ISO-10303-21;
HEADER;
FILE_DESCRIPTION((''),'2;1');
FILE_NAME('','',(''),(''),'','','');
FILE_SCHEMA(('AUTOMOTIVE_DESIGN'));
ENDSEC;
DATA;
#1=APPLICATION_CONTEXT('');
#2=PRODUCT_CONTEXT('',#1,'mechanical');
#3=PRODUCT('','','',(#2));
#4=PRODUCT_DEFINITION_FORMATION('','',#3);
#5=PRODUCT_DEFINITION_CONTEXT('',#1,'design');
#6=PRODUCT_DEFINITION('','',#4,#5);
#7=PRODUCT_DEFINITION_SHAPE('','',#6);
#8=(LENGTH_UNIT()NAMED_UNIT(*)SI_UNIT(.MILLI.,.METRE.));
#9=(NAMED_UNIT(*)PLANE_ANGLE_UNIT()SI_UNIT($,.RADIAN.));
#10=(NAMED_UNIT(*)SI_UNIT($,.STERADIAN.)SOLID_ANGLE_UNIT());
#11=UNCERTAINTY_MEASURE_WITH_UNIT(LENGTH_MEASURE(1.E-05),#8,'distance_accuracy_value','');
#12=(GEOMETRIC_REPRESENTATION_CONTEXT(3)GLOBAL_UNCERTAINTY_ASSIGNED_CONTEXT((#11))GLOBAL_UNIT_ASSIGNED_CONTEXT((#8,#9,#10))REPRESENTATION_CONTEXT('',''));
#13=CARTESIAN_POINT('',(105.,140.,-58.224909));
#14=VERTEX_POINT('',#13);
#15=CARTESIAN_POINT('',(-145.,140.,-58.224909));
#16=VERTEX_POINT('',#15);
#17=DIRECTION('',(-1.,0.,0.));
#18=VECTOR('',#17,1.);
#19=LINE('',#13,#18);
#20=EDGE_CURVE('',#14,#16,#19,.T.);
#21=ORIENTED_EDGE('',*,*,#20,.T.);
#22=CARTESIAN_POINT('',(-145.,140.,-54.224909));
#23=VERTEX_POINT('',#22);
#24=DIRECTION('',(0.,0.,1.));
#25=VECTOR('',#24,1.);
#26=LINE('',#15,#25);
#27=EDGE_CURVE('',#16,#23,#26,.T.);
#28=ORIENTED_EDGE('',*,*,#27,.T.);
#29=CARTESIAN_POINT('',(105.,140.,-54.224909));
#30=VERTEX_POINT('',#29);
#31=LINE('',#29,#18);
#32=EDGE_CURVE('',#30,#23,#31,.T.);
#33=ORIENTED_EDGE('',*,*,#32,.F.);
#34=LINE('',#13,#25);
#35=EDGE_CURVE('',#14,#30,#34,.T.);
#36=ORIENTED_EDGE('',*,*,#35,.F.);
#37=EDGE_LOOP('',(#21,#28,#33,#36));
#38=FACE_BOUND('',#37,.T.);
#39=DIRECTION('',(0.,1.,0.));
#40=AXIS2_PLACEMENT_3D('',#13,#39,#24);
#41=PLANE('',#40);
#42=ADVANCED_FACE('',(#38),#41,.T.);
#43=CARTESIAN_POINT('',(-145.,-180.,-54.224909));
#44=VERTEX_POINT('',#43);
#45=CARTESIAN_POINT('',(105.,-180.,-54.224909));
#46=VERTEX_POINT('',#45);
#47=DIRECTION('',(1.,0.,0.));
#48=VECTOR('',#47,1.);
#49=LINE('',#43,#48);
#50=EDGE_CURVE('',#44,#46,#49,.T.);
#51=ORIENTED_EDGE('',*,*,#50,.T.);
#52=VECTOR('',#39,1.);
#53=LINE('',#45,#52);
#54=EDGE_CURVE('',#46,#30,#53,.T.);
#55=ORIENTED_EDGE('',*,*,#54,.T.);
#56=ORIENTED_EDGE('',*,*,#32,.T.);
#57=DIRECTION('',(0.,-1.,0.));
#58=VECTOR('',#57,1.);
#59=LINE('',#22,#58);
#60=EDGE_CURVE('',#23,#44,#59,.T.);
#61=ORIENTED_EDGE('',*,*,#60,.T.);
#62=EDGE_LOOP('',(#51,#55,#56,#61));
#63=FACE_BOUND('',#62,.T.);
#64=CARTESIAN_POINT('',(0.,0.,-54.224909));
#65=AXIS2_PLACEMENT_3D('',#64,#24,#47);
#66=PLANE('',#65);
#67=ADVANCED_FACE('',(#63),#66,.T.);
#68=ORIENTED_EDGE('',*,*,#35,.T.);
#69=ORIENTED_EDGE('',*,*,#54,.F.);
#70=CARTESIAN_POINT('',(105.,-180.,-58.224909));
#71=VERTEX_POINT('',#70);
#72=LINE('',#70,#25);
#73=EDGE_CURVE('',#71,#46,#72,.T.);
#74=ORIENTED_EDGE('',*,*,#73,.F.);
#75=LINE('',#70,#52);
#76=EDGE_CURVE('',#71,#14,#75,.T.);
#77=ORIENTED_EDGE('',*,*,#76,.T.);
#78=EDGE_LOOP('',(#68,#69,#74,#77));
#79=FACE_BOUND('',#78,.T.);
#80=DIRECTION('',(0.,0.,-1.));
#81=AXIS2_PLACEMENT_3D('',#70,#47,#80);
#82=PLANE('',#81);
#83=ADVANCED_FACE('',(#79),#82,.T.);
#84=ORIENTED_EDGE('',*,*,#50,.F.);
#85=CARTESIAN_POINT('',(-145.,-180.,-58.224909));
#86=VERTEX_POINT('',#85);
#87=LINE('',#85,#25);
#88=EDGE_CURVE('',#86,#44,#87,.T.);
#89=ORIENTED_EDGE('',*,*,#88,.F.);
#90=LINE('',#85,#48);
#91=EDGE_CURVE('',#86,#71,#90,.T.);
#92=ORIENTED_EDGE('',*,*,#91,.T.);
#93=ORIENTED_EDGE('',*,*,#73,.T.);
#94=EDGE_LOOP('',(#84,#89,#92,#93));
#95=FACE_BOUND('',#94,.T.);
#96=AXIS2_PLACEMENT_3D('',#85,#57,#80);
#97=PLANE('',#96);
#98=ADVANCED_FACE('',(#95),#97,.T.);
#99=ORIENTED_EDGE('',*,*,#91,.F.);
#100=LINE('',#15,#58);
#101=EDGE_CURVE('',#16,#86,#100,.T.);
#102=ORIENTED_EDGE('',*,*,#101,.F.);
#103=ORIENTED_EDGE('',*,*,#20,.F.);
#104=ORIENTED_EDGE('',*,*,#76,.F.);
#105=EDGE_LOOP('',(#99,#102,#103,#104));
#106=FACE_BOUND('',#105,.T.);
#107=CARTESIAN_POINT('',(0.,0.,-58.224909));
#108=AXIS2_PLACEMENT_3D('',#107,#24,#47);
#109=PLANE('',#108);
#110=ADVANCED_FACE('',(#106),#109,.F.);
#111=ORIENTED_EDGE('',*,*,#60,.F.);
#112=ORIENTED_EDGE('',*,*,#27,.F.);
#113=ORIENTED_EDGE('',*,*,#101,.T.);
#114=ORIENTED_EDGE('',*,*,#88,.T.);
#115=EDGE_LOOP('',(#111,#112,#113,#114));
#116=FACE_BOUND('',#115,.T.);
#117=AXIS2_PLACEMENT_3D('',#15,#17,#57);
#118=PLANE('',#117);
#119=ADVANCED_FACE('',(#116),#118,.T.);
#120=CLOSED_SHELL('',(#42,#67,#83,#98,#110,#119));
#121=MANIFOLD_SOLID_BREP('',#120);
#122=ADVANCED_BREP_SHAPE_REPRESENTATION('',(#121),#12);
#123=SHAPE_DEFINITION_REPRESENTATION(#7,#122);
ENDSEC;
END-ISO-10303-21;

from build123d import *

# Parameters (mm, degrees)
SKETCH1_W           = 250
SKETCH1_H           = 320
BOSS_EXTRUDE1_DEPTH = 4


with BuildPart() as part:
    # Sketch1 → Boss-Extrude1 (new body)
    with BuildSketch(Plane.XY.offset(-54.224909152)):
        with Locations((-20, -20)):
            Rectangle(SKETCH1_W, SKETCH1_H)
    extrude(amount=-BOSS_EXTRUDE1_DEPTH)


solid = part.part
